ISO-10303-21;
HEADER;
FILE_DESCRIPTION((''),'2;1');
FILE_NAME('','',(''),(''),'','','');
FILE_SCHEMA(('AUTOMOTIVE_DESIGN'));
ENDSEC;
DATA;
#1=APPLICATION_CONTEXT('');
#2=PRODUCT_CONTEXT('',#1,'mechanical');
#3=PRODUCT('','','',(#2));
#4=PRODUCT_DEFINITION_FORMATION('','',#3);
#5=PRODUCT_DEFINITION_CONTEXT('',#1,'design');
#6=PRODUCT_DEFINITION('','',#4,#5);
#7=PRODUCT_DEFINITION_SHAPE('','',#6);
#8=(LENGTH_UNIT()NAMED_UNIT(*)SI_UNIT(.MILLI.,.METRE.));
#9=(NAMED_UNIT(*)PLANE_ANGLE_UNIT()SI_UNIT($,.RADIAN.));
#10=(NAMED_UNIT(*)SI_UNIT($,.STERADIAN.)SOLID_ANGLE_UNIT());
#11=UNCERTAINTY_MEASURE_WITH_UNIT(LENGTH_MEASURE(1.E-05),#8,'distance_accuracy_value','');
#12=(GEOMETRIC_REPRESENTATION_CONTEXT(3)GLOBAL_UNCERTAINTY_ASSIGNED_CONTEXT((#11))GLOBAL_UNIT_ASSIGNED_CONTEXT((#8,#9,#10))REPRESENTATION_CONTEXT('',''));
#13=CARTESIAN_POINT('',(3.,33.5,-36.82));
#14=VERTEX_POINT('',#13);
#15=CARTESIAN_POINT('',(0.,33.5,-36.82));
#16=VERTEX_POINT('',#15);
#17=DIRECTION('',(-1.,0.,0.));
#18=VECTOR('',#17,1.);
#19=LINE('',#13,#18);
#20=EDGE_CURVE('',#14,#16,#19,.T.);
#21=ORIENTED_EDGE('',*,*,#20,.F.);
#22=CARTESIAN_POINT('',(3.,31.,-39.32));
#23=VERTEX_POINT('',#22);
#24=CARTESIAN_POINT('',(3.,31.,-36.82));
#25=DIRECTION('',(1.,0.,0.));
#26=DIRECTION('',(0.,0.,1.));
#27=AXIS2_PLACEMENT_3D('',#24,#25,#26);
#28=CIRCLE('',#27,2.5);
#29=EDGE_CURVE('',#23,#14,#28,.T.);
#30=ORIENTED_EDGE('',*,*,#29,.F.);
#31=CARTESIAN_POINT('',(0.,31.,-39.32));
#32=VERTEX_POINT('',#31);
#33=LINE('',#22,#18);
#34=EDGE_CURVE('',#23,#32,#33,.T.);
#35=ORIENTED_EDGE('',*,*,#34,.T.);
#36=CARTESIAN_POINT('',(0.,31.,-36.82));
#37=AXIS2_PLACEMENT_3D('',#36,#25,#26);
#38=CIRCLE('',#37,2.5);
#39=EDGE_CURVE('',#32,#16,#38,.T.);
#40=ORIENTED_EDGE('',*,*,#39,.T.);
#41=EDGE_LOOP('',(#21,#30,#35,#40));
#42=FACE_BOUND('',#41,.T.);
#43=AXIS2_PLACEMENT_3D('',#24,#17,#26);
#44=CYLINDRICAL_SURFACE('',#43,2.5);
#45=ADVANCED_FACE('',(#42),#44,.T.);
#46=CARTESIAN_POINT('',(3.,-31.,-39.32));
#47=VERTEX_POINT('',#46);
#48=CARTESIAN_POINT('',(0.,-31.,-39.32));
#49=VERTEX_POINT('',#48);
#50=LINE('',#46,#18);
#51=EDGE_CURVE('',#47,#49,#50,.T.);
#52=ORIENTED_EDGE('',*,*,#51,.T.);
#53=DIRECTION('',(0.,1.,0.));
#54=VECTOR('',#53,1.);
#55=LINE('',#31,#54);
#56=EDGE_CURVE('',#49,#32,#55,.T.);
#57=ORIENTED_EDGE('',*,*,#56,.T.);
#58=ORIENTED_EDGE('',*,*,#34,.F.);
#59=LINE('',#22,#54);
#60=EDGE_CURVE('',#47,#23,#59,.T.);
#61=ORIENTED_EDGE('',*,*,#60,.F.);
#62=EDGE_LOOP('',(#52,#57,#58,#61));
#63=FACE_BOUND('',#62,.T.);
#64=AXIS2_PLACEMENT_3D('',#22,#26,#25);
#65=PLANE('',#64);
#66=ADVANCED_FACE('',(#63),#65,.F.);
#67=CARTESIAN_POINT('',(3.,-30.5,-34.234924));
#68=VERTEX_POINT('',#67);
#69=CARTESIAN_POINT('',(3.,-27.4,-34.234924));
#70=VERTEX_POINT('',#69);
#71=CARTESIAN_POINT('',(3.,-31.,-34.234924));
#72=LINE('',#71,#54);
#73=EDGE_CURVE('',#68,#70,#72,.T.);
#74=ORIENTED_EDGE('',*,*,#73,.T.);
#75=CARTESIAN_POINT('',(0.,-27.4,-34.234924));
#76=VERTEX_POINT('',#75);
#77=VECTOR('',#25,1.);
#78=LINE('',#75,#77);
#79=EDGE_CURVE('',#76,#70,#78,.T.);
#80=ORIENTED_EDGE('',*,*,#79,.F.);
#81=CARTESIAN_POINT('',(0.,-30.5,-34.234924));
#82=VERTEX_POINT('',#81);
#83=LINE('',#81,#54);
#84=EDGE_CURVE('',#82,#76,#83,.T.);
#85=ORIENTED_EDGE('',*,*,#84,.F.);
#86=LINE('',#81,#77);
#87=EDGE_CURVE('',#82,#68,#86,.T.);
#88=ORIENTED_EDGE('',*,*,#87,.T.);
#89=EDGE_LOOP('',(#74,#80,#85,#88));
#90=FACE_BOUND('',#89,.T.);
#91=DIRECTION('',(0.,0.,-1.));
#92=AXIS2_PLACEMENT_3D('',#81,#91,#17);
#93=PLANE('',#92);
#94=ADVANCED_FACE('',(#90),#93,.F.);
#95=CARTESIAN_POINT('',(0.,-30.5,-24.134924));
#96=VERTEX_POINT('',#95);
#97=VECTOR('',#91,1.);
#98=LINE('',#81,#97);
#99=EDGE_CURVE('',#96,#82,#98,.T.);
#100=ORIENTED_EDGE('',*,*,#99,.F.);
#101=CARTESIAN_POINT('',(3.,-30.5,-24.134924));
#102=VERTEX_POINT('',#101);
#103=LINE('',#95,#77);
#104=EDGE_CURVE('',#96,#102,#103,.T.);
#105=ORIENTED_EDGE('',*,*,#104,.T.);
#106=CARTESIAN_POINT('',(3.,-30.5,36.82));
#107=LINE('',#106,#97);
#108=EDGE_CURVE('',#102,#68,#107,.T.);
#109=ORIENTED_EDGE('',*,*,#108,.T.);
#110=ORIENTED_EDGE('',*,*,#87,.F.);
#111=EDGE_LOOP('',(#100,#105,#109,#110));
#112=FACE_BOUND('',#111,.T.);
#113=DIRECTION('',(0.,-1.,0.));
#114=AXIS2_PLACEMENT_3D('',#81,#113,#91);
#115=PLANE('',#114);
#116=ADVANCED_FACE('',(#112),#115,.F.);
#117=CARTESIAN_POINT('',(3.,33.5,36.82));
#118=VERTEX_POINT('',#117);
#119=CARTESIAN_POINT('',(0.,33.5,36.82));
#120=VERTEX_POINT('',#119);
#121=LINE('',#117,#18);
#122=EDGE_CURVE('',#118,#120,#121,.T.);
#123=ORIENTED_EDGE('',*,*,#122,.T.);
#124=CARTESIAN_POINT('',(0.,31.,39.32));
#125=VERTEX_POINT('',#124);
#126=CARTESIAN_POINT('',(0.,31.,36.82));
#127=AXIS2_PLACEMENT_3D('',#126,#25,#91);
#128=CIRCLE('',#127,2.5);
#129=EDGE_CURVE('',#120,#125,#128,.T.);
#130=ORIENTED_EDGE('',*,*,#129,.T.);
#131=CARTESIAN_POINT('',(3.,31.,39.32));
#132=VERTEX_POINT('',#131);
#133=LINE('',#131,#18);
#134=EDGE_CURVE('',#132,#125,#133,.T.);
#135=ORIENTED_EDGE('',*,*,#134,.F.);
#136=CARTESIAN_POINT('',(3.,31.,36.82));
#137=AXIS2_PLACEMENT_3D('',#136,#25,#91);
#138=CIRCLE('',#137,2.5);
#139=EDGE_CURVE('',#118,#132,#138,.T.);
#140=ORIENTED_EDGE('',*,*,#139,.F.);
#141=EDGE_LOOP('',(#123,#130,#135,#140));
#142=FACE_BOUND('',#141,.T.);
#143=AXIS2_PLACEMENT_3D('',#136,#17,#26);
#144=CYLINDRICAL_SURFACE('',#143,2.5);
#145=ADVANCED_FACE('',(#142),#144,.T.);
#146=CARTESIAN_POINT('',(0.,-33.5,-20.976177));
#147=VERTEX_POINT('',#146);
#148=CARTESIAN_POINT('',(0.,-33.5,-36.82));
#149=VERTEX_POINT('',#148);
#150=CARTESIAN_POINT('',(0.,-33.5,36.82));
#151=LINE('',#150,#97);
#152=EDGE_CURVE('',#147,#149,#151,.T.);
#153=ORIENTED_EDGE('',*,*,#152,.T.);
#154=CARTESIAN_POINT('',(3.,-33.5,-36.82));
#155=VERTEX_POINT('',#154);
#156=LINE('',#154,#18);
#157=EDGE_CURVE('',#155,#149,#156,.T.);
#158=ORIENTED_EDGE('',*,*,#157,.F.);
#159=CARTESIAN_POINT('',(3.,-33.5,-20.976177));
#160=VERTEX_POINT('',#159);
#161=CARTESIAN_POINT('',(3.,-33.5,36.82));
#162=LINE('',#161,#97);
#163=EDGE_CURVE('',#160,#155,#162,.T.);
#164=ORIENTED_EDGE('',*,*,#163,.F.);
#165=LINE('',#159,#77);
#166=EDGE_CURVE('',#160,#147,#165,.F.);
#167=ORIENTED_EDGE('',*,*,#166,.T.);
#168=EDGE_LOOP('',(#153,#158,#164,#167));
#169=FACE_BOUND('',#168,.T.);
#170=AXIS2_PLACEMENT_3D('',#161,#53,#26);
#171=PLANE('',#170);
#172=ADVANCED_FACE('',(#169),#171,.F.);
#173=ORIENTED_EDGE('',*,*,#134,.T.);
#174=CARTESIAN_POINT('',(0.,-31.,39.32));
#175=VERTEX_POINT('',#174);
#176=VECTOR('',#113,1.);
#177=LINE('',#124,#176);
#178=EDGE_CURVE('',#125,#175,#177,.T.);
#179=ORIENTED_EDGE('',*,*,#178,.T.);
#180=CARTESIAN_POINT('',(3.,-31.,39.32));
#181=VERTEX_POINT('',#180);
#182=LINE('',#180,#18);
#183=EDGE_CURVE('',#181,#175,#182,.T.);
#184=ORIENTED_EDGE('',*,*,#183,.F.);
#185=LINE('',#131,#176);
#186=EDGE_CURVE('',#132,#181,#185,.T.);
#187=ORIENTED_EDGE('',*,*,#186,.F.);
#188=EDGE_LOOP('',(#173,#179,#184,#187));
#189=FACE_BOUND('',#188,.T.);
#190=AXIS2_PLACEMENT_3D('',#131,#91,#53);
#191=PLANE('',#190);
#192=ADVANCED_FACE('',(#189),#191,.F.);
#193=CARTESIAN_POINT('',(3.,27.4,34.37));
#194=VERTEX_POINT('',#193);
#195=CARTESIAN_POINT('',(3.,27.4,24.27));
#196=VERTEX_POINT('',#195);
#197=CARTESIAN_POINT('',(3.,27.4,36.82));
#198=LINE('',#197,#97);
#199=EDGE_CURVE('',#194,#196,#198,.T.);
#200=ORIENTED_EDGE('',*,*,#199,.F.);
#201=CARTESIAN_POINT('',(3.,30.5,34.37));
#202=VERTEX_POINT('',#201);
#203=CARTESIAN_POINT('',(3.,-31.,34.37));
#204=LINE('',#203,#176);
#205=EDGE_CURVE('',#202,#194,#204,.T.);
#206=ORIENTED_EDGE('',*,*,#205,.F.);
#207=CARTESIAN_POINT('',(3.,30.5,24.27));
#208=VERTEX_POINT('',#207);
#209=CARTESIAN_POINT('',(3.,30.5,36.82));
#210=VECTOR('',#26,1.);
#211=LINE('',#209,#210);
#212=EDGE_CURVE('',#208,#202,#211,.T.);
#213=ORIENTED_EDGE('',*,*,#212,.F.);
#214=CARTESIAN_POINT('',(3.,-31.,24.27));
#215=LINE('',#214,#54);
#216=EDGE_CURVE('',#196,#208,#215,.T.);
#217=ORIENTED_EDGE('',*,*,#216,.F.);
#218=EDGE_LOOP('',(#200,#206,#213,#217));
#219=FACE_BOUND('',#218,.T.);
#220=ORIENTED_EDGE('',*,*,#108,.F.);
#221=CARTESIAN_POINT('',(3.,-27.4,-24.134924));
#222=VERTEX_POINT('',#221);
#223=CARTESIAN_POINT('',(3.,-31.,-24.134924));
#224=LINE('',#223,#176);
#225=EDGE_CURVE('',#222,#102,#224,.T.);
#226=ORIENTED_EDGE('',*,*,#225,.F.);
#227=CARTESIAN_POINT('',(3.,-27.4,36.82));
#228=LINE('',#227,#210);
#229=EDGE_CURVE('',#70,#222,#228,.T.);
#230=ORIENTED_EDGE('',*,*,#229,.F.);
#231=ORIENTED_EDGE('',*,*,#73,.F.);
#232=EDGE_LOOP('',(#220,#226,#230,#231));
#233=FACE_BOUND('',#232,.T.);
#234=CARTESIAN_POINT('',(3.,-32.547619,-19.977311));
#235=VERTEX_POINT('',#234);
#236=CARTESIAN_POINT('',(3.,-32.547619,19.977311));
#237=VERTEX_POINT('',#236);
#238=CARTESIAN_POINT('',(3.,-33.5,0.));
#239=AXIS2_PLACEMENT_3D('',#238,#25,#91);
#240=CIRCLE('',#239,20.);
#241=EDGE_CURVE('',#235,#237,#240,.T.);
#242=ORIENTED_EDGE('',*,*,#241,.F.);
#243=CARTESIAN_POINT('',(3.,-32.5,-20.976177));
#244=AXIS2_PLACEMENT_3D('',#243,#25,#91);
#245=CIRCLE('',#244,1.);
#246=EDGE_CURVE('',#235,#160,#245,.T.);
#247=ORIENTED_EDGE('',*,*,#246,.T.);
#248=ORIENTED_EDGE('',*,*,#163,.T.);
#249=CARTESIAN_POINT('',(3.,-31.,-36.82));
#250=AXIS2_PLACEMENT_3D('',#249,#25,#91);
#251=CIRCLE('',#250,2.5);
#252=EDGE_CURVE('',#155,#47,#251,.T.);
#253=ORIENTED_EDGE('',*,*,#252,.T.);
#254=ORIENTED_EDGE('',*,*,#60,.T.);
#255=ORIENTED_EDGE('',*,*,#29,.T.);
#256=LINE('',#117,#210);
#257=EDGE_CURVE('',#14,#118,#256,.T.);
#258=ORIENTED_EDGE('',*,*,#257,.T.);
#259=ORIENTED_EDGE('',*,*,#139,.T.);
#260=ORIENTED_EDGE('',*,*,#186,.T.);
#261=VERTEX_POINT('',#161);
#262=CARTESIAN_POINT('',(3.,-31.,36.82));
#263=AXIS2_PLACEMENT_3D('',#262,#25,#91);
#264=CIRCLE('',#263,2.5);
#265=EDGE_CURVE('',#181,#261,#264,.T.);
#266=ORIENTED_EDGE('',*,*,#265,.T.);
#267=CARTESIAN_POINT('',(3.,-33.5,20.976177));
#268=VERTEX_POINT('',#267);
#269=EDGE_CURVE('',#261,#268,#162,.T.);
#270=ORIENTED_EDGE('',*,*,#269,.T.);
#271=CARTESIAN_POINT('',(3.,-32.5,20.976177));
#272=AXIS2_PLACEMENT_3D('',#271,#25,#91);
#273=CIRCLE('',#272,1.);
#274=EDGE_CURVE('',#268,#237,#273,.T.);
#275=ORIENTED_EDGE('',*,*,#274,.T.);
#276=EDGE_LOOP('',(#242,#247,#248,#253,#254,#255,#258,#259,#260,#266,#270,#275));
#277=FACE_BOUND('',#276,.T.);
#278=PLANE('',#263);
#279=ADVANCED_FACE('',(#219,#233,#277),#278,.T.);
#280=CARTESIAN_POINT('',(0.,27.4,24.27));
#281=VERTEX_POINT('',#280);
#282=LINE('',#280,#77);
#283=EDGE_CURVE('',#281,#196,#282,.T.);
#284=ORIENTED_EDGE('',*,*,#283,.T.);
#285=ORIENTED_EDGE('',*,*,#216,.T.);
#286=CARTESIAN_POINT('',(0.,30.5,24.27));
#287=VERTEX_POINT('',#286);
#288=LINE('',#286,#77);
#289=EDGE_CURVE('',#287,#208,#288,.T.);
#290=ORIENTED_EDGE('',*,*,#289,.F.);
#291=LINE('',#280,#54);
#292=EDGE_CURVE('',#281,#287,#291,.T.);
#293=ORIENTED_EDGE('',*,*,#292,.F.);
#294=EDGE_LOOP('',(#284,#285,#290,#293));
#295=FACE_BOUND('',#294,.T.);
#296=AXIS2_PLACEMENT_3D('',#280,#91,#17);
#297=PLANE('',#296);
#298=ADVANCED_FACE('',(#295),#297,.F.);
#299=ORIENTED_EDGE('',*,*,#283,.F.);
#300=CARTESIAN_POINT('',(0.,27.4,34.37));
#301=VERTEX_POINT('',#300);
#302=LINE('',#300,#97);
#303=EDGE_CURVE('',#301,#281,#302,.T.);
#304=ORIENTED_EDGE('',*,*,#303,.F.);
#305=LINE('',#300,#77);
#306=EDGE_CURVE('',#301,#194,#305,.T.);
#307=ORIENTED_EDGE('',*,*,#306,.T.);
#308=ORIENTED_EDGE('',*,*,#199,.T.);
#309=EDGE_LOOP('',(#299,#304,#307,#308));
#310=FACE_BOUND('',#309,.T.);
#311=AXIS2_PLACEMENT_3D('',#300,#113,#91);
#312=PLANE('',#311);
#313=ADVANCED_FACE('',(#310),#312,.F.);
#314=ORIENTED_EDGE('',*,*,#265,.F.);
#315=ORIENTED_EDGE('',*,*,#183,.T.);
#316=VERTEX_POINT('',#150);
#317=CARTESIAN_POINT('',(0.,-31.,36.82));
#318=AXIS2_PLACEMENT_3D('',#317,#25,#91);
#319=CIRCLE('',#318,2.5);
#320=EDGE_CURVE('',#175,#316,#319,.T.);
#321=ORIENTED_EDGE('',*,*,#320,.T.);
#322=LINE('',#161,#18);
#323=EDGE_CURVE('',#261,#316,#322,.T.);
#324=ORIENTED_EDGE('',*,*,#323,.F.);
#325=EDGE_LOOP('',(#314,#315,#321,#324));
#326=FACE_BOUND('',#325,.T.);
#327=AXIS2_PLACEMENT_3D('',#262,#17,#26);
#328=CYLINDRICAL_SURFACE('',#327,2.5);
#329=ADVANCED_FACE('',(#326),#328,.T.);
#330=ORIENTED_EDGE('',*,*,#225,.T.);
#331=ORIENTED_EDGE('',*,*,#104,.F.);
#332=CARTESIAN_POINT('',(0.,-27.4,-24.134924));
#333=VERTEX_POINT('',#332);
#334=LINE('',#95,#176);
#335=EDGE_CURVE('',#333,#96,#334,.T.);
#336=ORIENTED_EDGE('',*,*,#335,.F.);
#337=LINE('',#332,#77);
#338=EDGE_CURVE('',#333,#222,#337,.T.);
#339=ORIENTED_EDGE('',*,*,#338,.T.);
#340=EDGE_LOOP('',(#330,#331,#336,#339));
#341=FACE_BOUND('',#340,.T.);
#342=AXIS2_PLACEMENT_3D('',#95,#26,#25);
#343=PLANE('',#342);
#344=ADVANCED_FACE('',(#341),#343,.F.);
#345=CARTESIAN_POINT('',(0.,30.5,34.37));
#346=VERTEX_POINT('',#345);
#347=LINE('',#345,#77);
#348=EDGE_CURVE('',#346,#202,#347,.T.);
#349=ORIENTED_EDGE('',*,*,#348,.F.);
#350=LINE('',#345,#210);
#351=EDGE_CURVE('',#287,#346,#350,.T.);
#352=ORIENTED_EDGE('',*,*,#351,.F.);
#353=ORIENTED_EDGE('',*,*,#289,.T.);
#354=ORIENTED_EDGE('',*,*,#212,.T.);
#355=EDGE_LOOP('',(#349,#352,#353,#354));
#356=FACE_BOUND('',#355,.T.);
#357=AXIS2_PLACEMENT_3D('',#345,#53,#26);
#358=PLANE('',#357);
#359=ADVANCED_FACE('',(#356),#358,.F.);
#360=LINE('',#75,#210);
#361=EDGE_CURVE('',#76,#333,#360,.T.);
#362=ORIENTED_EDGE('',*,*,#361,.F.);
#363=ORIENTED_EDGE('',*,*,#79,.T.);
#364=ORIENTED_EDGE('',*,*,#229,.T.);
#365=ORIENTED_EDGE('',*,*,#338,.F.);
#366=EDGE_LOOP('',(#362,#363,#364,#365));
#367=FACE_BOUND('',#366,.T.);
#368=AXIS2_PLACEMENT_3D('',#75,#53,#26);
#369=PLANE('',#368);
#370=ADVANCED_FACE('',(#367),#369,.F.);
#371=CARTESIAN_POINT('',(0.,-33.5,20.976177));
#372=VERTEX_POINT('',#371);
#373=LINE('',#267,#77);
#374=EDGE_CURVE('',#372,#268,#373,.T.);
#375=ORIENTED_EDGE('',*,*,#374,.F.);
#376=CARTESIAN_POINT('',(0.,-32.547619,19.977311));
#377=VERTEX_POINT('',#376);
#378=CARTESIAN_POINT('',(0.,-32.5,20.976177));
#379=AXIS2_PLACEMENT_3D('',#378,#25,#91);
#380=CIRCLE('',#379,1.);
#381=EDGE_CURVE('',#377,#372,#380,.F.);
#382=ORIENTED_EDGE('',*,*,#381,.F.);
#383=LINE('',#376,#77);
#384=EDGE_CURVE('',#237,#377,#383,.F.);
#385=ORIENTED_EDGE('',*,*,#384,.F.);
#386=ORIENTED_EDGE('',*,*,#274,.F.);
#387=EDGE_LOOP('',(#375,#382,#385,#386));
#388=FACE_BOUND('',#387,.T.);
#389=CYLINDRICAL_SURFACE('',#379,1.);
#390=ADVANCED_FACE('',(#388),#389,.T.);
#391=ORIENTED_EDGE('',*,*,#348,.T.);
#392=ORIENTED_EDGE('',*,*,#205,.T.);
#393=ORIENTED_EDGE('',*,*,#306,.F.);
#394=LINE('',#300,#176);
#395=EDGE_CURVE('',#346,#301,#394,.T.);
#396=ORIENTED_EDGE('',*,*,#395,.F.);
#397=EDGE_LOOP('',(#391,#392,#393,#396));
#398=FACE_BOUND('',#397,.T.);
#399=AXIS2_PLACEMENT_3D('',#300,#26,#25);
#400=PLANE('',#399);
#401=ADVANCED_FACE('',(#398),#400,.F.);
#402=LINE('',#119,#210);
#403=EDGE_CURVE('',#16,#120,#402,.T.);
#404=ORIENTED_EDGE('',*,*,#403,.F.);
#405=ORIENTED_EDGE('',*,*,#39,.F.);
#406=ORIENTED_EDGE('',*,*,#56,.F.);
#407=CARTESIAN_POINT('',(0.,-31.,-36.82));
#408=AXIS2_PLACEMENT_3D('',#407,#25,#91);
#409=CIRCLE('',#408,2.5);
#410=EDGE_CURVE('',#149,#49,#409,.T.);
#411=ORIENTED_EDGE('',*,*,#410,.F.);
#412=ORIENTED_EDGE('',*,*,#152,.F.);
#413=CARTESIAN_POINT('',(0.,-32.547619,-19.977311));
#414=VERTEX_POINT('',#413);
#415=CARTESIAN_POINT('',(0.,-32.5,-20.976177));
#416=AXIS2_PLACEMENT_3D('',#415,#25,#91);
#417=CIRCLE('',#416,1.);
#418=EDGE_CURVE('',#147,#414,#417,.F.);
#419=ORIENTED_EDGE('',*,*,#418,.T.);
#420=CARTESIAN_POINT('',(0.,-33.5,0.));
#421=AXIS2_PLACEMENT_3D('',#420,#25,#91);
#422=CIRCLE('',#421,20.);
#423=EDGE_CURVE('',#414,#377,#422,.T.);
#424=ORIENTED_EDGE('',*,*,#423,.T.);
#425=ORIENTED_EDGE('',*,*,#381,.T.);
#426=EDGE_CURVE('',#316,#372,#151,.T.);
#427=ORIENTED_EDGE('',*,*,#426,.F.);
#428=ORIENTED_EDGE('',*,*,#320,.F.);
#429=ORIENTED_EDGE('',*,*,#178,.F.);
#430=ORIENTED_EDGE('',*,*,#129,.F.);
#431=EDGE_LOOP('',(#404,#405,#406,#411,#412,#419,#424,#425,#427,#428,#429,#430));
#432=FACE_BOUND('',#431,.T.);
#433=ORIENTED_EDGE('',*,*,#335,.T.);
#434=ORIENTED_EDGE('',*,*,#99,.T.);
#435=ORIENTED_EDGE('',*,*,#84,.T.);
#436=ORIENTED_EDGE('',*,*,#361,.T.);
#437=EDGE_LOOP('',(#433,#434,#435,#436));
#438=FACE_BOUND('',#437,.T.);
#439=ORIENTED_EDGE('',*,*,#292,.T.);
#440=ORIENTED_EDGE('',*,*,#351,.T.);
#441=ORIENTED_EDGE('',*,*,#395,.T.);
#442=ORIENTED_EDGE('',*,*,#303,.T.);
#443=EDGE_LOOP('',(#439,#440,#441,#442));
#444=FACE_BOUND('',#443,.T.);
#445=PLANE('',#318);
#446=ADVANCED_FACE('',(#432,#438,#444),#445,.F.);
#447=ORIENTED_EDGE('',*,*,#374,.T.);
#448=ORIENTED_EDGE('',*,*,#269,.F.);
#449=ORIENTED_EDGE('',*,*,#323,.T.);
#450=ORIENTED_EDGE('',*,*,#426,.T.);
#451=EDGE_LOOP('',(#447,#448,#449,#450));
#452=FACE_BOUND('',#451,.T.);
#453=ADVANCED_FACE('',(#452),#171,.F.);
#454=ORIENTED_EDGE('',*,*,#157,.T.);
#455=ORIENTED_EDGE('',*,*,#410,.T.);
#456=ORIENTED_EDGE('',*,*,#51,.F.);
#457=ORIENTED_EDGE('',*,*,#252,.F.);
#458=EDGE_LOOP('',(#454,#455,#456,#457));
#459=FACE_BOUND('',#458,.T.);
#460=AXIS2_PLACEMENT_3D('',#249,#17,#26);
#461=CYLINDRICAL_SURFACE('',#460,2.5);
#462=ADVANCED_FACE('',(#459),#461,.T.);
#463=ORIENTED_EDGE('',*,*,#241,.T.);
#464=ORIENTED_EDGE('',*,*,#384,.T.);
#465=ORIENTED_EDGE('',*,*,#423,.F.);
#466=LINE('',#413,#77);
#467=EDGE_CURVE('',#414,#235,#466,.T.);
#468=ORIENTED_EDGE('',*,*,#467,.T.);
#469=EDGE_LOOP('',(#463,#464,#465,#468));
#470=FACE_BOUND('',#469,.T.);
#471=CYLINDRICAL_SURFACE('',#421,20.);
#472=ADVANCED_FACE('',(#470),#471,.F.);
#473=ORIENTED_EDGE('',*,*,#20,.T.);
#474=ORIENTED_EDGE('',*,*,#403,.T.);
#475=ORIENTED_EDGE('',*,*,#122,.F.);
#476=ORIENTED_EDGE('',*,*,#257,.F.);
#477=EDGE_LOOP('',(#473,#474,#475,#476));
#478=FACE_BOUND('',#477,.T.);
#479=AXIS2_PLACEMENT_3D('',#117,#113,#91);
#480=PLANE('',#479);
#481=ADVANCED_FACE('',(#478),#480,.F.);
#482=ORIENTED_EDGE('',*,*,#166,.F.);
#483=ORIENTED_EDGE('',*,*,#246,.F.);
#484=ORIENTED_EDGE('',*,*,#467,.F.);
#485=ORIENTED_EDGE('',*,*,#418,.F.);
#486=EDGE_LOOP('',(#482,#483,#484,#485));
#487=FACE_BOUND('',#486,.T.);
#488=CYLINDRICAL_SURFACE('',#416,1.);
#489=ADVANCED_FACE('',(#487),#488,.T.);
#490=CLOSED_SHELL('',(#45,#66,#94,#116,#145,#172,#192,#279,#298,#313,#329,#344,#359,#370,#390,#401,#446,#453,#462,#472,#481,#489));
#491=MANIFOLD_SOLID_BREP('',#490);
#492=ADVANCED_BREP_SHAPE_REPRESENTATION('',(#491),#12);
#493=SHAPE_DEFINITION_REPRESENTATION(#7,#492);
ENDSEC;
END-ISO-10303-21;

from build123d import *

# Parameters (mm, degrees)
SALIENTE_EXTRUIR1_DEPTH = 3
CROQUIS2_R              = 20
CROQUIS2_W              = 10.1
CROQUIS2_H              = 3.1
CORTAR_EXTRUIR1_DEPTH   = 3
REDONDEO1_R             = 1


with BuildPart() as part:
    # Croquis1 → Saliente-Extruir1 (new body)
    with BuildSketch(Plane(origin=(0, 0, 0), x_dir=(0, 0, -1), z_dir=(1, 0, 0))):
        with BuildLine():
            Line((-36.82, 33.5), (36.82, 33.5))
            ThreePointArc((36.82, 33.5), (38.587766953, 32.767766953), (39.32, 31))
            Line((39.32, 31), (39.32, -31))
            ThreePointArc((39.32, -31), (38.587766953, -32.767766953), (36.82, -33.5))
            Line((36.82, -33.5), (-36.82, -33.5))
            ThreePointArc((-36.82, -33.5), (-38.587766953, -32.767766953), (-39.32, -31))
            Line((-39.32, -31), (-39.32, 31))
            ThreePointArc((-39.32, 31), (-38.587766953, 32.767766953), (-36.82, 33.5))
        make_face()
    extrude(amount=SALIENTE_EXTRUIR1_DEPTH)

    # Croquis2 → Cortar-Extruir1 (cut, symmetric)
    with BuildSketch(Plane(origin=(3, 0, 0), x_dir=(0, 0, -1), z_dir=(1, 0, 0))):
        with Locations((0, -33.5)):
            Circle(CROQUIS2_R)
        with Locations((29.18492387, -28.95)):
            Rectangle(CROQUIS2_W, CROQUIS2_H)
        with Locations((-29.32, 28.95)):
            Rectangle(CROQUIS2_W, CROQUIS2_H)
    extrude(amount=CORTAR_EXTRUIR1_DEPTH, both=True, mode=Mode.SUBTRACT)

    # Redondeo1
    redondeo1_edges = [part.edges().sort_by_distance(p)[0] for p in [
        (1.5, -33.5, 20),
        (1.5, -33.5, -20),
    ]]
    fillet(redondeo1_edges, radius=REDONDEO1_R)


solid = part.part
